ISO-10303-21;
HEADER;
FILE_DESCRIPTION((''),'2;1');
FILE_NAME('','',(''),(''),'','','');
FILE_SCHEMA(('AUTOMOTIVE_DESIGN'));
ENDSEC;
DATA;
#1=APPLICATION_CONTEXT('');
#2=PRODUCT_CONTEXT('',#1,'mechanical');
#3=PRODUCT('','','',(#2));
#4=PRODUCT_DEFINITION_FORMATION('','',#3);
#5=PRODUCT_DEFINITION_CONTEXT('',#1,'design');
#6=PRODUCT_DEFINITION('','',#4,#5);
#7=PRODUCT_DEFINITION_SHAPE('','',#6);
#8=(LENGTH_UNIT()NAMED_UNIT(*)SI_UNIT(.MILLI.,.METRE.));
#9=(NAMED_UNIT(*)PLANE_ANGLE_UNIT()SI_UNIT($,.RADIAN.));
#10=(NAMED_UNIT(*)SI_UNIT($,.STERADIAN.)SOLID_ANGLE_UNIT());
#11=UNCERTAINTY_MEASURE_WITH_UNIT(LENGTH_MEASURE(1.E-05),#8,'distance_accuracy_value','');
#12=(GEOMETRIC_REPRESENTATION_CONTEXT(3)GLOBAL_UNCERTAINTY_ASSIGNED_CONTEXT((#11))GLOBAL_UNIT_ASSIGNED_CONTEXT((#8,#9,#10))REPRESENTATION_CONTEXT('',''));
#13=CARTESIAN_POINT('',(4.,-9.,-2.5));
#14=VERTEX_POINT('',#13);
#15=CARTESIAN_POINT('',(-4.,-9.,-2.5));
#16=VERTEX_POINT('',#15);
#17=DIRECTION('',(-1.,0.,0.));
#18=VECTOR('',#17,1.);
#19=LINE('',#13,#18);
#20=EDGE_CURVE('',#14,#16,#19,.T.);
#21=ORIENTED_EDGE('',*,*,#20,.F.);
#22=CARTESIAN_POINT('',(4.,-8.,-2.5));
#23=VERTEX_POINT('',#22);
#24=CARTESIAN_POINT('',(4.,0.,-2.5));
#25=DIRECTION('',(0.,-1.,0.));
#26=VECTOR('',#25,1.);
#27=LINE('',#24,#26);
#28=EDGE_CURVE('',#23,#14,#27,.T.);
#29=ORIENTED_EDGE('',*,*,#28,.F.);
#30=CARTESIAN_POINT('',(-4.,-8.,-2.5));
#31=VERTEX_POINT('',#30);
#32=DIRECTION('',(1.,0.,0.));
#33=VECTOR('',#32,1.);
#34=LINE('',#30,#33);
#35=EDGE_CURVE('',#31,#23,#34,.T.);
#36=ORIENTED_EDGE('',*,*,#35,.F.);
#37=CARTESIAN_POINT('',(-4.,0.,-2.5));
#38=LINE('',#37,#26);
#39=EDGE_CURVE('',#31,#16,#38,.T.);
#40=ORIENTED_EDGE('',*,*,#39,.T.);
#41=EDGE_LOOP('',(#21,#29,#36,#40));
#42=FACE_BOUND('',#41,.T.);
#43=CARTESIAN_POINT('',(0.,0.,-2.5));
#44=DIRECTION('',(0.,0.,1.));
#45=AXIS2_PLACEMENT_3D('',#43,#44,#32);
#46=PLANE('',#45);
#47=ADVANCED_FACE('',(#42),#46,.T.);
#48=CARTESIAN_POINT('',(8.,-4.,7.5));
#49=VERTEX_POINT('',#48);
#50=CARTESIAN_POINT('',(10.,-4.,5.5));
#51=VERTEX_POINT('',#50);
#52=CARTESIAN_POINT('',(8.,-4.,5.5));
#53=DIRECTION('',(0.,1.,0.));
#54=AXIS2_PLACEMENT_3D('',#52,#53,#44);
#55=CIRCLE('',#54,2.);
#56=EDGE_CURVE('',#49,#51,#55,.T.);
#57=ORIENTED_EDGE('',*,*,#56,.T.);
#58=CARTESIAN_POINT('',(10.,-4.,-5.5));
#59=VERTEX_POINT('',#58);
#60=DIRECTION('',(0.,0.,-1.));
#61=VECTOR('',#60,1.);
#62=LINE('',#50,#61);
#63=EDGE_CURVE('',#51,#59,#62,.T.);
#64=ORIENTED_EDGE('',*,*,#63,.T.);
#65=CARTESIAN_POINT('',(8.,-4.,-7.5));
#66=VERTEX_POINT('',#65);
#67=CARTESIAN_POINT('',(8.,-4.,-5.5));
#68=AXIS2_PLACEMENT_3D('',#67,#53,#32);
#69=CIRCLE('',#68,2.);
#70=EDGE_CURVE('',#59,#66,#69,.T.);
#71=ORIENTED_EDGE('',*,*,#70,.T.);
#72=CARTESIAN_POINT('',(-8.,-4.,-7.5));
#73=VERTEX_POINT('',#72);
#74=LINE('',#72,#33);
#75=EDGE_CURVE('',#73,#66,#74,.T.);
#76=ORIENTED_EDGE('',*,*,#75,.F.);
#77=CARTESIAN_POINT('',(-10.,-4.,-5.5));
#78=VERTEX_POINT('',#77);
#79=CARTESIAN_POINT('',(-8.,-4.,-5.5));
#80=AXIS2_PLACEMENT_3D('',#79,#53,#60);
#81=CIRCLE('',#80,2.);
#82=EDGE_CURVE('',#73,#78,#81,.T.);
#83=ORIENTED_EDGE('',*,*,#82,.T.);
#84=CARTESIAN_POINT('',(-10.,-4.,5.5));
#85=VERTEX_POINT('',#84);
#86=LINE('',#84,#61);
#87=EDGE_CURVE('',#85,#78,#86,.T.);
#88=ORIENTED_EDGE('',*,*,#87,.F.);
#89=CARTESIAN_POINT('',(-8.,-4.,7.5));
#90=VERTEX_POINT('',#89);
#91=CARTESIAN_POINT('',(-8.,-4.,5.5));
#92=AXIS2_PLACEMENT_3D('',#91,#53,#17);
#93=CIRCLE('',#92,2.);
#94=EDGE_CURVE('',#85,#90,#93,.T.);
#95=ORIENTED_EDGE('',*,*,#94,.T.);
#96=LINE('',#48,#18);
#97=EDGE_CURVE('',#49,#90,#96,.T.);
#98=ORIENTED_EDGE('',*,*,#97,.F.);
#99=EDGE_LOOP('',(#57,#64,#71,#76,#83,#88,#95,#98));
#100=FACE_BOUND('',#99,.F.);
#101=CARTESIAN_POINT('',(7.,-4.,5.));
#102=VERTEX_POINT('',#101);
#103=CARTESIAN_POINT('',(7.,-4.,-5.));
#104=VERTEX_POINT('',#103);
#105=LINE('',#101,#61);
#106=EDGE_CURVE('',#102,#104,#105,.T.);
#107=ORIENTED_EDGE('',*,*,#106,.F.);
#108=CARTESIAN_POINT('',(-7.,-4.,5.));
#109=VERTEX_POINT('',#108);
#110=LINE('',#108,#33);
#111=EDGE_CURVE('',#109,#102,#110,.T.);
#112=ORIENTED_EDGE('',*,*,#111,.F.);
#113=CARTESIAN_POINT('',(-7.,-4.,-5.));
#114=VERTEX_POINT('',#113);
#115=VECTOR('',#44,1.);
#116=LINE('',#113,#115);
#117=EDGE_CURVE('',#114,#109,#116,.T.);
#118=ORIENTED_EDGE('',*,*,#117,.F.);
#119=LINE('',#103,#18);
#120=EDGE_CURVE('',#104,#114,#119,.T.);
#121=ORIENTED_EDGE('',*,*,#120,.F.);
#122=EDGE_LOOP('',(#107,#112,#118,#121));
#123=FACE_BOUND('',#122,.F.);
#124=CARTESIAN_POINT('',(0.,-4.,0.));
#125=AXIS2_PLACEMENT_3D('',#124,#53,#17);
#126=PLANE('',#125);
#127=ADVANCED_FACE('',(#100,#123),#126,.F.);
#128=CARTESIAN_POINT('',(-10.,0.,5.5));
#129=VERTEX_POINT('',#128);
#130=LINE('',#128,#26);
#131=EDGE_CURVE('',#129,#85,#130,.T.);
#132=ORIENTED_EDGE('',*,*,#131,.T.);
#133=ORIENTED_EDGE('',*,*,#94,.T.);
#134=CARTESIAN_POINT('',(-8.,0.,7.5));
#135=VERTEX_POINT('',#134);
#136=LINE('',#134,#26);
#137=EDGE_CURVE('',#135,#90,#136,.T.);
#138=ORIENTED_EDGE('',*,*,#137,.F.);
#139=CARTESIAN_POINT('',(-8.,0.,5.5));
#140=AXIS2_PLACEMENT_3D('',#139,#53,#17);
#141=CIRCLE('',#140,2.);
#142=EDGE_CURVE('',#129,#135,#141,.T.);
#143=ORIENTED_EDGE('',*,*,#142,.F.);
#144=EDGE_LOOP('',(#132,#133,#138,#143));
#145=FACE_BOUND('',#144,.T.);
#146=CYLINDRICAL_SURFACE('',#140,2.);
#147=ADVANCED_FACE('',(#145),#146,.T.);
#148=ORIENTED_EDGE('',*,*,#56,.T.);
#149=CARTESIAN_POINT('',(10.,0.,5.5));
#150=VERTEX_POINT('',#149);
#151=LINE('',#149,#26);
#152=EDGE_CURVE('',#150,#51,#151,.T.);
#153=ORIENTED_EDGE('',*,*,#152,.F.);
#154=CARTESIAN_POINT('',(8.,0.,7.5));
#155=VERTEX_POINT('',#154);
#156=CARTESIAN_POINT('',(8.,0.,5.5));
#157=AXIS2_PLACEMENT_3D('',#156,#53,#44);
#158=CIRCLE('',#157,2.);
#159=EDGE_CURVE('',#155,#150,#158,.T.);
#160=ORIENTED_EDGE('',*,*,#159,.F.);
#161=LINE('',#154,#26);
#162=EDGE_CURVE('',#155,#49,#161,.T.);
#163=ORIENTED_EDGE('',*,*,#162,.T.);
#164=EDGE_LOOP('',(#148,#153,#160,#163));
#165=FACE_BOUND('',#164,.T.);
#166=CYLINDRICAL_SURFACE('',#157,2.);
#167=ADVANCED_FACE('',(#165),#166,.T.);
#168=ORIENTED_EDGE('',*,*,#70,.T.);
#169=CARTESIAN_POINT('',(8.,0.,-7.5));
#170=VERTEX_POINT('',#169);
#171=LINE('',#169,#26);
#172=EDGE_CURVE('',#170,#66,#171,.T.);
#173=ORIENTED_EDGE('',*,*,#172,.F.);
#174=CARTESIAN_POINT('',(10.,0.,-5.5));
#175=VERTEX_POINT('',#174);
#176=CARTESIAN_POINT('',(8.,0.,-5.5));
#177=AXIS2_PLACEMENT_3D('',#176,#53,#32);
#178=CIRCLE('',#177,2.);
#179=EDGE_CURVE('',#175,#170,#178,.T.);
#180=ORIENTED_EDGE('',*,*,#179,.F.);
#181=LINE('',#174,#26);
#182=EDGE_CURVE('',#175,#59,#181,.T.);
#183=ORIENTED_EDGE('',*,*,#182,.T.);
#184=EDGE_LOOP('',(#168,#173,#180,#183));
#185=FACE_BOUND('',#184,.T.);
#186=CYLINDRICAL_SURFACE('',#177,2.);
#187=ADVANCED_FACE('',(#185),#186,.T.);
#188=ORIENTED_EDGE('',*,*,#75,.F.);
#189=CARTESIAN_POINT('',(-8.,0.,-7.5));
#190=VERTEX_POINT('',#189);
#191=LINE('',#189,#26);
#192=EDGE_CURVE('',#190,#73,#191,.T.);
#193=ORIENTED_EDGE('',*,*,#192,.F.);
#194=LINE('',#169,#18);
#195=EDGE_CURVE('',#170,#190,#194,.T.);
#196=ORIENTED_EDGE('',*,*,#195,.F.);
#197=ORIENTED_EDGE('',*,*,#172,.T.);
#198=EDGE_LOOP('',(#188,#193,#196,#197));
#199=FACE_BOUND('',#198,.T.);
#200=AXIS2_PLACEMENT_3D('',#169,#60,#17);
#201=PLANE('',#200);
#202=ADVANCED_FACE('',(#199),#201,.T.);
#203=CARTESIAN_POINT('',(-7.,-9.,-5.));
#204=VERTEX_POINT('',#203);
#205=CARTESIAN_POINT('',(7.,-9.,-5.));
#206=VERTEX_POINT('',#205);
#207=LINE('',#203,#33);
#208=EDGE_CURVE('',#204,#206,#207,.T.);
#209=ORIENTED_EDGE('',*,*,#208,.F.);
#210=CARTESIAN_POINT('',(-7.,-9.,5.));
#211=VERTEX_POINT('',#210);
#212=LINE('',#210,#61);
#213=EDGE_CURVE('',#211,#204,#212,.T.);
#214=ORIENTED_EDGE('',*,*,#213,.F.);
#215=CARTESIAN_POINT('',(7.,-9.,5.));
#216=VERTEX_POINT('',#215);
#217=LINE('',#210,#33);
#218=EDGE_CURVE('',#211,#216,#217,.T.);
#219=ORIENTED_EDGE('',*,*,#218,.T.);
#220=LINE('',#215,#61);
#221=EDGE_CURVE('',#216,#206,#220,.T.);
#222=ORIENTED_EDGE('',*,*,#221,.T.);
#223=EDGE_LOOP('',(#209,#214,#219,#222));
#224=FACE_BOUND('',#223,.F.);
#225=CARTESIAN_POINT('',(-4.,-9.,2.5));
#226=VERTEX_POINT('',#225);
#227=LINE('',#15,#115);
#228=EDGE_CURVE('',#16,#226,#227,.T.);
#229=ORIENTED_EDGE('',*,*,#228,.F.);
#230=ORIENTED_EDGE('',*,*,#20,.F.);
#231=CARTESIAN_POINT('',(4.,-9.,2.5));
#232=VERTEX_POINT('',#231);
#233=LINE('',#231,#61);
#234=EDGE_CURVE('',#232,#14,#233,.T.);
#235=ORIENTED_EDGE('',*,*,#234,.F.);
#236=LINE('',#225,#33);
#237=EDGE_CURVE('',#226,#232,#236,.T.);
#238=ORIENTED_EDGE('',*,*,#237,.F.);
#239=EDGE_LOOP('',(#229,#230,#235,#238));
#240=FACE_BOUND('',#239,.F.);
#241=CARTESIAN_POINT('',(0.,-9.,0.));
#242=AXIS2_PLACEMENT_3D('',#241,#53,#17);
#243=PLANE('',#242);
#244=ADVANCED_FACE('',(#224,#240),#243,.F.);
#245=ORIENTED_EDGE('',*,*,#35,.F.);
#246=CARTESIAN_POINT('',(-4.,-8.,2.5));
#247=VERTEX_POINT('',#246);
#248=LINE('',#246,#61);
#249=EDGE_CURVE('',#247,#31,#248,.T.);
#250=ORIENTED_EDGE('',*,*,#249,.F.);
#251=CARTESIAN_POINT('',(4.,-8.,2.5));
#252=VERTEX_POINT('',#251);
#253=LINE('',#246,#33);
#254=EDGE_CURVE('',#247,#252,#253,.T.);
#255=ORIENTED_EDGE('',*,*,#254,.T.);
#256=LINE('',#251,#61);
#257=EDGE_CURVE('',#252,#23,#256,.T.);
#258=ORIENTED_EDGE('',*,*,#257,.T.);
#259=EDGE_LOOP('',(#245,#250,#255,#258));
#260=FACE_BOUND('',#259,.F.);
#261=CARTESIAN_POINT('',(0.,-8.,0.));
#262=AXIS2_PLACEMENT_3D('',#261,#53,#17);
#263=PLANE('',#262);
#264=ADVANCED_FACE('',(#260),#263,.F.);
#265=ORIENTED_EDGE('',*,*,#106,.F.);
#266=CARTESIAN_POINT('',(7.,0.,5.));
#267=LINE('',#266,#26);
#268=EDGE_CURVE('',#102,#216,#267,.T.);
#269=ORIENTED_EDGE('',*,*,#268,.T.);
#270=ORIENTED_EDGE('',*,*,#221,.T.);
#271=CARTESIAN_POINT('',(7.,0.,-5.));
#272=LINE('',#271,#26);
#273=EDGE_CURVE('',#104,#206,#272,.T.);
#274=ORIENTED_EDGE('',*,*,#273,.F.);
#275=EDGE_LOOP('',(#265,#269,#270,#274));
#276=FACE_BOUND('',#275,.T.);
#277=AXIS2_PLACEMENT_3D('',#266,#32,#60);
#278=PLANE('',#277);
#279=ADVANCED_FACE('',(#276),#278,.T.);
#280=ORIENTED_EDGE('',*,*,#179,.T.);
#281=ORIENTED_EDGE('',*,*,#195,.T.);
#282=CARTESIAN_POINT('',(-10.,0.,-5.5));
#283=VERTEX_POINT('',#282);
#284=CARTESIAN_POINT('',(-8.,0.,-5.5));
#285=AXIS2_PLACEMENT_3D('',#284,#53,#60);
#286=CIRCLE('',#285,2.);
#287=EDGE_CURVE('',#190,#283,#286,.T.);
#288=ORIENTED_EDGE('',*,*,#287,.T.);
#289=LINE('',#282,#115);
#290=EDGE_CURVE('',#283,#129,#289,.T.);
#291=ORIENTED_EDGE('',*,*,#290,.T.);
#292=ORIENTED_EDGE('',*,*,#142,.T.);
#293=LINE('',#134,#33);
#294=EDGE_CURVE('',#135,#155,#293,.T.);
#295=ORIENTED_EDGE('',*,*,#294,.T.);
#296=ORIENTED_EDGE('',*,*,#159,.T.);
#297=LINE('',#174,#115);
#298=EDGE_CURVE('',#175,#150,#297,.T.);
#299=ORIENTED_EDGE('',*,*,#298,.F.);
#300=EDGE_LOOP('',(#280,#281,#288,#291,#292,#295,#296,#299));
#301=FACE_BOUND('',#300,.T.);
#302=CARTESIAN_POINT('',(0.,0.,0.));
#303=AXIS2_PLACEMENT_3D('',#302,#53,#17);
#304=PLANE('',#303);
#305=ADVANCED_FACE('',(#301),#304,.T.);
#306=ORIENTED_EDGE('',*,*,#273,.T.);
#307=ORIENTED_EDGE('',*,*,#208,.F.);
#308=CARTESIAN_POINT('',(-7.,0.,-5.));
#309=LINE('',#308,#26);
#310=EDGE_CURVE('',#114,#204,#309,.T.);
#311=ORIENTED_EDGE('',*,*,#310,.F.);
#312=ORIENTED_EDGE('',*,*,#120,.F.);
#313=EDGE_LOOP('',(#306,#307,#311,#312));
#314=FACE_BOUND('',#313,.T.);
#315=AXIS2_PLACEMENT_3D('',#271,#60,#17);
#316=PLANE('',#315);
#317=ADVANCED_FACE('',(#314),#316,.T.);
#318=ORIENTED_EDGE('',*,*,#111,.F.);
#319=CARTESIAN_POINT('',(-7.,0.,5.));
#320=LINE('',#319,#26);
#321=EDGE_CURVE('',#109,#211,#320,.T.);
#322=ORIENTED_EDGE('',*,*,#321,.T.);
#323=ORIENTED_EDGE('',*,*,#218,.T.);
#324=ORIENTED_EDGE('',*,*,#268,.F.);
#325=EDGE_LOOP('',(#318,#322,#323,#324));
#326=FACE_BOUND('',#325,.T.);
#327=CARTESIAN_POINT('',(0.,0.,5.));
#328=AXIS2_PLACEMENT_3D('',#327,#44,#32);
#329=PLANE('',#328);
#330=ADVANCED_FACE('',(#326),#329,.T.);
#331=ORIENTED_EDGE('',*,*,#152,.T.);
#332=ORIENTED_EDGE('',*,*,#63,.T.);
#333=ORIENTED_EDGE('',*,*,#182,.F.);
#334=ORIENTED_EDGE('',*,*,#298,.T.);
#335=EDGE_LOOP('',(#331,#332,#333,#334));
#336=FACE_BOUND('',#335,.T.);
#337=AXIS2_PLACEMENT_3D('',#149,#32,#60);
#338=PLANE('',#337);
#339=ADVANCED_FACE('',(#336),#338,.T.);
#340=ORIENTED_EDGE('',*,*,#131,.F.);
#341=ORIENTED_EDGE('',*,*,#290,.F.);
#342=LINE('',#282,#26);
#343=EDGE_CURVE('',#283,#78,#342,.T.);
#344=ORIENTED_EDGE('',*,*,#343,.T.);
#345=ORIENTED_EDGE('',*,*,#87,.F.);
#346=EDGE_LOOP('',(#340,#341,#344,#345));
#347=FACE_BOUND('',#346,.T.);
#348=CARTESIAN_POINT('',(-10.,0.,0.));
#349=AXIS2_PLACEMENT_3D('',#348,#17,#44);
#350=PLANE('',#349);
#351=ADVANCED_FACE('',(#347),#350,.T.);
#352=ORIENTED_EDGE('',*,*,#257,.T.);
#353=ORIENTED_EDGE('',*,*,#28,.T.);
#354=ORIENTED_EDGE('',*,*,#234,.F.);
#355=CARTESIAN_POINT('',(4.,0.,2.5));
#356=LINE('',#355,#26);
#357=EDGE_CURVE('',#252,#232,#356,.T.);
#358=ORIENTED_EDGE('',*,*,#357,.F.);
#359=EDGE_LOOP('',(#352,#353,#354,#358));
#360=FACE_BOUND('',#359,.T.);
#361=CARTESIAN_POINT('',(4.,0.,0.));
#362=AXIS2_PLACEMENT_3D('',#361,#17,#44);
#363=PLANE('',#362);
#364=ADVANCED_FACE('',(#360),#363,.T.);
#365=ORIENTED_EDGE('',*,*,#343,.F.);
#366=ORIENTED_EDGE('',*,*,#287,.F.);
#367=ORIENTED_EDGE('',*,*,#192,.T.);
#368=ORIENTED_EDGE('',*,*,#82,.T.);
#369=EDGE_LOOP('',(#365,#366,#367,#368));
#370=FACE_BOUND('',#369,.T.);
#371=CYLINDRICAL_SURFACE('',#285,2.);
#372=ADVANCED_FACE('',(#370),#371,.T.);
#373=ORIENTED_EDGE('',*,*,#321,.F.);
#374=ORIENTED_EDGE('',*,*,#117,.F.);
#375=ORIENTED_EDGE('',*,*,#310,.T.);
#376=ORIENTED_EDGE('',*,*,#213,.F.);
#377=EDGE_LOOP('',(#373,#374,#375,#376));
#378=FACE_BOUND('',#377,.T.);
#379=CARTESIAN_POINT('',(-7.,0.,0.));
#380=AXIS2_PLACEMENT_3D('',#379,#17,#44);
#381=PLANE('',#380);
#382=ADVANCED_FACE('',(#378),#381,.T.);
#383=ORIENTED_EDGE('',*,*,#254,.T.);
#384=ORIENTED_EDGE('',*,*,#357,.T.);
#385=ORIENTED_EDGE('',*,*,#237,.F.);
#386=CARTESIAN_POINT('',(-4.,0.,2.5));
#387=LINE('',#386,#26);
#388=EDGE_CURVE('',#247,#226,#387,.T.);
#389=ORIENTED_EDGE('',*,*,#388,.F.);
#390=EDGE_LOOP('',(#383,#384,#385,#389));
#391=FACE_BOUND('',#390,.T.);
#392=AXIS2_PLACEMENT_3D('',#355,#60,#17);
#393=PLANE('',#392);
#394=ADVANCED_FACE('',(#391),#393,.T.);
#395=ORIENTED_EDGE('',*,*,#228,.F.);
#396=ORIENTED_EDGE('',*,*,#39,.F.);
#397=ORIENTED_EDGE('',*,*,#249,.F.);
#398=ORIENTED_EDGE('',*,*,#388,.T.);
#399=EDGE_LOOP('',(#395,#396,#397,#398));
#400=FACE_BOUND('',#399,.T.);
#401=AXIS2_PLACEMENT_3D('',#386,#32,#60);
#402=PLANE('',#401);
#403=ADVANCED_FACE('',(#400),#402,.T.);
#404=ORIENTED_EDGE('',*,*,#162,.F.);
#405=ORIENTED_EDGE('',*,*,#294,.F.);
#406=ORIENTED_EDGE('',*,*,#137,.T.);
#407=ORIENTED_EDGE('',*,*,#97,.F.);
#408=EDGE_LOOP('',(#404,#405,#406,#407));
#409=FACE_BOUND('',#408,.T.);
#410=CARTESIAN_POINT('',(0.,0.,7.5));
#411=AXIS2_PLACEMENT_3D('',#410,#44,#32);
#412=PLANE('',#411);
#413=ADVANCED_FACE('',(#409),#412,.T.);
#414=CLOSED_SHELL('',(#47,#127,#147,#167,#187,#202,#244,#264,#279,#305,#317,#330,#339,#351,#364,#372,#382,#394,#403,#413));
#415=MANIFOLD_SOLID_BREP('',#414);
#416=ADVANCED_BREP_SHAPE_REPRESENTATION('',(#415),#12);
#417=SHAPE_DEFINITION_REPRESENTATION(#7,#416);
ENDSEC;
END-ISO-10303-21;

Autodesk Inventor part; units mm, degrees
ref_plane "YZ Plane" through (0, 0, 0) normal (1, 0, 0) x (0, 1, 0)
ref_plane "XZ Plane" through (0, 0, 0) normal (0, 1, 0) x (-1, 0, 0)
ref_plane "XY Plane" through (0, 0, 0) normal (0, 0, 1) x (1, 0, 0)
sketch "Sketch1" plane through (0, 0, 0) normal (0, 1, 0) x (-1, 0, 0)
  line L0 (-14.5799, 0) -> (14.5799, 0) projected
  line L1 (7, 5) -> (-7, 5)
  line L2 (-7, 5) -> (-7, -5)
  line L3 (-7, -5) -> (7, -5)
  line L4 (7, -5) -> (7, 5)
  line L5 (8, 7.5) -> (-8, 7.5)
  line L6 (-10, 5.5) -> (-10, -5.5)
  line L7 (-8, -7.5) -> (8, -7.5)
  line L8 (10, -5.5) -> (10, 5.5)
  line L9 (0, -11.0799) -> (0, 11.0799) projected
  arc A0 (10, 5.5) -> (8, 7.5) centre (8, 5.5) ccw
  arc A1 (8, -7.5) -> (10, -5.5) centre (8, -5.5) ccw
  arc A2 (-10, -5.5) -> (-8, -7.5) centre (-8, -5.5) ccw
  arc A3 (-8, 7.5) -> (-10, 5.5) centre (-8, 5.5) ccw
  line L10 (-4, 2.5) -> (4, 2.5)
  line L11 (4, 2.5) -> (4, -2.5)
  line L12 (4, -2.5) -> (-4, -2.5)
  line L13 (-4, -2.5) -> (-4, 2.5)
  point P0 (0, 0)
  point P1 (10, 7.5)
  point P2 (10, -7.5)
  dimension "d0" = 10
  dimension "d1" = 15
  dimension "d2" = 14
  dimension "d3" = 20
  dimension "d4" = 2
  dimension "d9" = 5
  dimension "d10" = 8
extrude "Extrusion1" add sketch "Sketch1" against normal blind 4 contours L6 A3 L5 L9 L1 L2 L0 | L0 L2 L3 L9 L7 A2 L6 | L9 L5 A0 L8 L0 L4 L1 | L3 L4 L0 L8 A1 L7 L9
extrude "Extrusion3" add sketch "Sketch1" against normal blind 8 contours L13 L10 L9 L0 | L0 L9 L12 L13 | L9 L10 L11 L0 | L0 L11 L12 L9
extrude "Extrusion4" add sketch "Sketch1" against normal blind 9 contours L2 L1 L9 L10 L13 L0 | L0 L13 L12 L9 L3 L2 | L1 L4 L0 L11 L10 L9 | L9 L12 L11 L0 L4 L3
properties part number "slab"
